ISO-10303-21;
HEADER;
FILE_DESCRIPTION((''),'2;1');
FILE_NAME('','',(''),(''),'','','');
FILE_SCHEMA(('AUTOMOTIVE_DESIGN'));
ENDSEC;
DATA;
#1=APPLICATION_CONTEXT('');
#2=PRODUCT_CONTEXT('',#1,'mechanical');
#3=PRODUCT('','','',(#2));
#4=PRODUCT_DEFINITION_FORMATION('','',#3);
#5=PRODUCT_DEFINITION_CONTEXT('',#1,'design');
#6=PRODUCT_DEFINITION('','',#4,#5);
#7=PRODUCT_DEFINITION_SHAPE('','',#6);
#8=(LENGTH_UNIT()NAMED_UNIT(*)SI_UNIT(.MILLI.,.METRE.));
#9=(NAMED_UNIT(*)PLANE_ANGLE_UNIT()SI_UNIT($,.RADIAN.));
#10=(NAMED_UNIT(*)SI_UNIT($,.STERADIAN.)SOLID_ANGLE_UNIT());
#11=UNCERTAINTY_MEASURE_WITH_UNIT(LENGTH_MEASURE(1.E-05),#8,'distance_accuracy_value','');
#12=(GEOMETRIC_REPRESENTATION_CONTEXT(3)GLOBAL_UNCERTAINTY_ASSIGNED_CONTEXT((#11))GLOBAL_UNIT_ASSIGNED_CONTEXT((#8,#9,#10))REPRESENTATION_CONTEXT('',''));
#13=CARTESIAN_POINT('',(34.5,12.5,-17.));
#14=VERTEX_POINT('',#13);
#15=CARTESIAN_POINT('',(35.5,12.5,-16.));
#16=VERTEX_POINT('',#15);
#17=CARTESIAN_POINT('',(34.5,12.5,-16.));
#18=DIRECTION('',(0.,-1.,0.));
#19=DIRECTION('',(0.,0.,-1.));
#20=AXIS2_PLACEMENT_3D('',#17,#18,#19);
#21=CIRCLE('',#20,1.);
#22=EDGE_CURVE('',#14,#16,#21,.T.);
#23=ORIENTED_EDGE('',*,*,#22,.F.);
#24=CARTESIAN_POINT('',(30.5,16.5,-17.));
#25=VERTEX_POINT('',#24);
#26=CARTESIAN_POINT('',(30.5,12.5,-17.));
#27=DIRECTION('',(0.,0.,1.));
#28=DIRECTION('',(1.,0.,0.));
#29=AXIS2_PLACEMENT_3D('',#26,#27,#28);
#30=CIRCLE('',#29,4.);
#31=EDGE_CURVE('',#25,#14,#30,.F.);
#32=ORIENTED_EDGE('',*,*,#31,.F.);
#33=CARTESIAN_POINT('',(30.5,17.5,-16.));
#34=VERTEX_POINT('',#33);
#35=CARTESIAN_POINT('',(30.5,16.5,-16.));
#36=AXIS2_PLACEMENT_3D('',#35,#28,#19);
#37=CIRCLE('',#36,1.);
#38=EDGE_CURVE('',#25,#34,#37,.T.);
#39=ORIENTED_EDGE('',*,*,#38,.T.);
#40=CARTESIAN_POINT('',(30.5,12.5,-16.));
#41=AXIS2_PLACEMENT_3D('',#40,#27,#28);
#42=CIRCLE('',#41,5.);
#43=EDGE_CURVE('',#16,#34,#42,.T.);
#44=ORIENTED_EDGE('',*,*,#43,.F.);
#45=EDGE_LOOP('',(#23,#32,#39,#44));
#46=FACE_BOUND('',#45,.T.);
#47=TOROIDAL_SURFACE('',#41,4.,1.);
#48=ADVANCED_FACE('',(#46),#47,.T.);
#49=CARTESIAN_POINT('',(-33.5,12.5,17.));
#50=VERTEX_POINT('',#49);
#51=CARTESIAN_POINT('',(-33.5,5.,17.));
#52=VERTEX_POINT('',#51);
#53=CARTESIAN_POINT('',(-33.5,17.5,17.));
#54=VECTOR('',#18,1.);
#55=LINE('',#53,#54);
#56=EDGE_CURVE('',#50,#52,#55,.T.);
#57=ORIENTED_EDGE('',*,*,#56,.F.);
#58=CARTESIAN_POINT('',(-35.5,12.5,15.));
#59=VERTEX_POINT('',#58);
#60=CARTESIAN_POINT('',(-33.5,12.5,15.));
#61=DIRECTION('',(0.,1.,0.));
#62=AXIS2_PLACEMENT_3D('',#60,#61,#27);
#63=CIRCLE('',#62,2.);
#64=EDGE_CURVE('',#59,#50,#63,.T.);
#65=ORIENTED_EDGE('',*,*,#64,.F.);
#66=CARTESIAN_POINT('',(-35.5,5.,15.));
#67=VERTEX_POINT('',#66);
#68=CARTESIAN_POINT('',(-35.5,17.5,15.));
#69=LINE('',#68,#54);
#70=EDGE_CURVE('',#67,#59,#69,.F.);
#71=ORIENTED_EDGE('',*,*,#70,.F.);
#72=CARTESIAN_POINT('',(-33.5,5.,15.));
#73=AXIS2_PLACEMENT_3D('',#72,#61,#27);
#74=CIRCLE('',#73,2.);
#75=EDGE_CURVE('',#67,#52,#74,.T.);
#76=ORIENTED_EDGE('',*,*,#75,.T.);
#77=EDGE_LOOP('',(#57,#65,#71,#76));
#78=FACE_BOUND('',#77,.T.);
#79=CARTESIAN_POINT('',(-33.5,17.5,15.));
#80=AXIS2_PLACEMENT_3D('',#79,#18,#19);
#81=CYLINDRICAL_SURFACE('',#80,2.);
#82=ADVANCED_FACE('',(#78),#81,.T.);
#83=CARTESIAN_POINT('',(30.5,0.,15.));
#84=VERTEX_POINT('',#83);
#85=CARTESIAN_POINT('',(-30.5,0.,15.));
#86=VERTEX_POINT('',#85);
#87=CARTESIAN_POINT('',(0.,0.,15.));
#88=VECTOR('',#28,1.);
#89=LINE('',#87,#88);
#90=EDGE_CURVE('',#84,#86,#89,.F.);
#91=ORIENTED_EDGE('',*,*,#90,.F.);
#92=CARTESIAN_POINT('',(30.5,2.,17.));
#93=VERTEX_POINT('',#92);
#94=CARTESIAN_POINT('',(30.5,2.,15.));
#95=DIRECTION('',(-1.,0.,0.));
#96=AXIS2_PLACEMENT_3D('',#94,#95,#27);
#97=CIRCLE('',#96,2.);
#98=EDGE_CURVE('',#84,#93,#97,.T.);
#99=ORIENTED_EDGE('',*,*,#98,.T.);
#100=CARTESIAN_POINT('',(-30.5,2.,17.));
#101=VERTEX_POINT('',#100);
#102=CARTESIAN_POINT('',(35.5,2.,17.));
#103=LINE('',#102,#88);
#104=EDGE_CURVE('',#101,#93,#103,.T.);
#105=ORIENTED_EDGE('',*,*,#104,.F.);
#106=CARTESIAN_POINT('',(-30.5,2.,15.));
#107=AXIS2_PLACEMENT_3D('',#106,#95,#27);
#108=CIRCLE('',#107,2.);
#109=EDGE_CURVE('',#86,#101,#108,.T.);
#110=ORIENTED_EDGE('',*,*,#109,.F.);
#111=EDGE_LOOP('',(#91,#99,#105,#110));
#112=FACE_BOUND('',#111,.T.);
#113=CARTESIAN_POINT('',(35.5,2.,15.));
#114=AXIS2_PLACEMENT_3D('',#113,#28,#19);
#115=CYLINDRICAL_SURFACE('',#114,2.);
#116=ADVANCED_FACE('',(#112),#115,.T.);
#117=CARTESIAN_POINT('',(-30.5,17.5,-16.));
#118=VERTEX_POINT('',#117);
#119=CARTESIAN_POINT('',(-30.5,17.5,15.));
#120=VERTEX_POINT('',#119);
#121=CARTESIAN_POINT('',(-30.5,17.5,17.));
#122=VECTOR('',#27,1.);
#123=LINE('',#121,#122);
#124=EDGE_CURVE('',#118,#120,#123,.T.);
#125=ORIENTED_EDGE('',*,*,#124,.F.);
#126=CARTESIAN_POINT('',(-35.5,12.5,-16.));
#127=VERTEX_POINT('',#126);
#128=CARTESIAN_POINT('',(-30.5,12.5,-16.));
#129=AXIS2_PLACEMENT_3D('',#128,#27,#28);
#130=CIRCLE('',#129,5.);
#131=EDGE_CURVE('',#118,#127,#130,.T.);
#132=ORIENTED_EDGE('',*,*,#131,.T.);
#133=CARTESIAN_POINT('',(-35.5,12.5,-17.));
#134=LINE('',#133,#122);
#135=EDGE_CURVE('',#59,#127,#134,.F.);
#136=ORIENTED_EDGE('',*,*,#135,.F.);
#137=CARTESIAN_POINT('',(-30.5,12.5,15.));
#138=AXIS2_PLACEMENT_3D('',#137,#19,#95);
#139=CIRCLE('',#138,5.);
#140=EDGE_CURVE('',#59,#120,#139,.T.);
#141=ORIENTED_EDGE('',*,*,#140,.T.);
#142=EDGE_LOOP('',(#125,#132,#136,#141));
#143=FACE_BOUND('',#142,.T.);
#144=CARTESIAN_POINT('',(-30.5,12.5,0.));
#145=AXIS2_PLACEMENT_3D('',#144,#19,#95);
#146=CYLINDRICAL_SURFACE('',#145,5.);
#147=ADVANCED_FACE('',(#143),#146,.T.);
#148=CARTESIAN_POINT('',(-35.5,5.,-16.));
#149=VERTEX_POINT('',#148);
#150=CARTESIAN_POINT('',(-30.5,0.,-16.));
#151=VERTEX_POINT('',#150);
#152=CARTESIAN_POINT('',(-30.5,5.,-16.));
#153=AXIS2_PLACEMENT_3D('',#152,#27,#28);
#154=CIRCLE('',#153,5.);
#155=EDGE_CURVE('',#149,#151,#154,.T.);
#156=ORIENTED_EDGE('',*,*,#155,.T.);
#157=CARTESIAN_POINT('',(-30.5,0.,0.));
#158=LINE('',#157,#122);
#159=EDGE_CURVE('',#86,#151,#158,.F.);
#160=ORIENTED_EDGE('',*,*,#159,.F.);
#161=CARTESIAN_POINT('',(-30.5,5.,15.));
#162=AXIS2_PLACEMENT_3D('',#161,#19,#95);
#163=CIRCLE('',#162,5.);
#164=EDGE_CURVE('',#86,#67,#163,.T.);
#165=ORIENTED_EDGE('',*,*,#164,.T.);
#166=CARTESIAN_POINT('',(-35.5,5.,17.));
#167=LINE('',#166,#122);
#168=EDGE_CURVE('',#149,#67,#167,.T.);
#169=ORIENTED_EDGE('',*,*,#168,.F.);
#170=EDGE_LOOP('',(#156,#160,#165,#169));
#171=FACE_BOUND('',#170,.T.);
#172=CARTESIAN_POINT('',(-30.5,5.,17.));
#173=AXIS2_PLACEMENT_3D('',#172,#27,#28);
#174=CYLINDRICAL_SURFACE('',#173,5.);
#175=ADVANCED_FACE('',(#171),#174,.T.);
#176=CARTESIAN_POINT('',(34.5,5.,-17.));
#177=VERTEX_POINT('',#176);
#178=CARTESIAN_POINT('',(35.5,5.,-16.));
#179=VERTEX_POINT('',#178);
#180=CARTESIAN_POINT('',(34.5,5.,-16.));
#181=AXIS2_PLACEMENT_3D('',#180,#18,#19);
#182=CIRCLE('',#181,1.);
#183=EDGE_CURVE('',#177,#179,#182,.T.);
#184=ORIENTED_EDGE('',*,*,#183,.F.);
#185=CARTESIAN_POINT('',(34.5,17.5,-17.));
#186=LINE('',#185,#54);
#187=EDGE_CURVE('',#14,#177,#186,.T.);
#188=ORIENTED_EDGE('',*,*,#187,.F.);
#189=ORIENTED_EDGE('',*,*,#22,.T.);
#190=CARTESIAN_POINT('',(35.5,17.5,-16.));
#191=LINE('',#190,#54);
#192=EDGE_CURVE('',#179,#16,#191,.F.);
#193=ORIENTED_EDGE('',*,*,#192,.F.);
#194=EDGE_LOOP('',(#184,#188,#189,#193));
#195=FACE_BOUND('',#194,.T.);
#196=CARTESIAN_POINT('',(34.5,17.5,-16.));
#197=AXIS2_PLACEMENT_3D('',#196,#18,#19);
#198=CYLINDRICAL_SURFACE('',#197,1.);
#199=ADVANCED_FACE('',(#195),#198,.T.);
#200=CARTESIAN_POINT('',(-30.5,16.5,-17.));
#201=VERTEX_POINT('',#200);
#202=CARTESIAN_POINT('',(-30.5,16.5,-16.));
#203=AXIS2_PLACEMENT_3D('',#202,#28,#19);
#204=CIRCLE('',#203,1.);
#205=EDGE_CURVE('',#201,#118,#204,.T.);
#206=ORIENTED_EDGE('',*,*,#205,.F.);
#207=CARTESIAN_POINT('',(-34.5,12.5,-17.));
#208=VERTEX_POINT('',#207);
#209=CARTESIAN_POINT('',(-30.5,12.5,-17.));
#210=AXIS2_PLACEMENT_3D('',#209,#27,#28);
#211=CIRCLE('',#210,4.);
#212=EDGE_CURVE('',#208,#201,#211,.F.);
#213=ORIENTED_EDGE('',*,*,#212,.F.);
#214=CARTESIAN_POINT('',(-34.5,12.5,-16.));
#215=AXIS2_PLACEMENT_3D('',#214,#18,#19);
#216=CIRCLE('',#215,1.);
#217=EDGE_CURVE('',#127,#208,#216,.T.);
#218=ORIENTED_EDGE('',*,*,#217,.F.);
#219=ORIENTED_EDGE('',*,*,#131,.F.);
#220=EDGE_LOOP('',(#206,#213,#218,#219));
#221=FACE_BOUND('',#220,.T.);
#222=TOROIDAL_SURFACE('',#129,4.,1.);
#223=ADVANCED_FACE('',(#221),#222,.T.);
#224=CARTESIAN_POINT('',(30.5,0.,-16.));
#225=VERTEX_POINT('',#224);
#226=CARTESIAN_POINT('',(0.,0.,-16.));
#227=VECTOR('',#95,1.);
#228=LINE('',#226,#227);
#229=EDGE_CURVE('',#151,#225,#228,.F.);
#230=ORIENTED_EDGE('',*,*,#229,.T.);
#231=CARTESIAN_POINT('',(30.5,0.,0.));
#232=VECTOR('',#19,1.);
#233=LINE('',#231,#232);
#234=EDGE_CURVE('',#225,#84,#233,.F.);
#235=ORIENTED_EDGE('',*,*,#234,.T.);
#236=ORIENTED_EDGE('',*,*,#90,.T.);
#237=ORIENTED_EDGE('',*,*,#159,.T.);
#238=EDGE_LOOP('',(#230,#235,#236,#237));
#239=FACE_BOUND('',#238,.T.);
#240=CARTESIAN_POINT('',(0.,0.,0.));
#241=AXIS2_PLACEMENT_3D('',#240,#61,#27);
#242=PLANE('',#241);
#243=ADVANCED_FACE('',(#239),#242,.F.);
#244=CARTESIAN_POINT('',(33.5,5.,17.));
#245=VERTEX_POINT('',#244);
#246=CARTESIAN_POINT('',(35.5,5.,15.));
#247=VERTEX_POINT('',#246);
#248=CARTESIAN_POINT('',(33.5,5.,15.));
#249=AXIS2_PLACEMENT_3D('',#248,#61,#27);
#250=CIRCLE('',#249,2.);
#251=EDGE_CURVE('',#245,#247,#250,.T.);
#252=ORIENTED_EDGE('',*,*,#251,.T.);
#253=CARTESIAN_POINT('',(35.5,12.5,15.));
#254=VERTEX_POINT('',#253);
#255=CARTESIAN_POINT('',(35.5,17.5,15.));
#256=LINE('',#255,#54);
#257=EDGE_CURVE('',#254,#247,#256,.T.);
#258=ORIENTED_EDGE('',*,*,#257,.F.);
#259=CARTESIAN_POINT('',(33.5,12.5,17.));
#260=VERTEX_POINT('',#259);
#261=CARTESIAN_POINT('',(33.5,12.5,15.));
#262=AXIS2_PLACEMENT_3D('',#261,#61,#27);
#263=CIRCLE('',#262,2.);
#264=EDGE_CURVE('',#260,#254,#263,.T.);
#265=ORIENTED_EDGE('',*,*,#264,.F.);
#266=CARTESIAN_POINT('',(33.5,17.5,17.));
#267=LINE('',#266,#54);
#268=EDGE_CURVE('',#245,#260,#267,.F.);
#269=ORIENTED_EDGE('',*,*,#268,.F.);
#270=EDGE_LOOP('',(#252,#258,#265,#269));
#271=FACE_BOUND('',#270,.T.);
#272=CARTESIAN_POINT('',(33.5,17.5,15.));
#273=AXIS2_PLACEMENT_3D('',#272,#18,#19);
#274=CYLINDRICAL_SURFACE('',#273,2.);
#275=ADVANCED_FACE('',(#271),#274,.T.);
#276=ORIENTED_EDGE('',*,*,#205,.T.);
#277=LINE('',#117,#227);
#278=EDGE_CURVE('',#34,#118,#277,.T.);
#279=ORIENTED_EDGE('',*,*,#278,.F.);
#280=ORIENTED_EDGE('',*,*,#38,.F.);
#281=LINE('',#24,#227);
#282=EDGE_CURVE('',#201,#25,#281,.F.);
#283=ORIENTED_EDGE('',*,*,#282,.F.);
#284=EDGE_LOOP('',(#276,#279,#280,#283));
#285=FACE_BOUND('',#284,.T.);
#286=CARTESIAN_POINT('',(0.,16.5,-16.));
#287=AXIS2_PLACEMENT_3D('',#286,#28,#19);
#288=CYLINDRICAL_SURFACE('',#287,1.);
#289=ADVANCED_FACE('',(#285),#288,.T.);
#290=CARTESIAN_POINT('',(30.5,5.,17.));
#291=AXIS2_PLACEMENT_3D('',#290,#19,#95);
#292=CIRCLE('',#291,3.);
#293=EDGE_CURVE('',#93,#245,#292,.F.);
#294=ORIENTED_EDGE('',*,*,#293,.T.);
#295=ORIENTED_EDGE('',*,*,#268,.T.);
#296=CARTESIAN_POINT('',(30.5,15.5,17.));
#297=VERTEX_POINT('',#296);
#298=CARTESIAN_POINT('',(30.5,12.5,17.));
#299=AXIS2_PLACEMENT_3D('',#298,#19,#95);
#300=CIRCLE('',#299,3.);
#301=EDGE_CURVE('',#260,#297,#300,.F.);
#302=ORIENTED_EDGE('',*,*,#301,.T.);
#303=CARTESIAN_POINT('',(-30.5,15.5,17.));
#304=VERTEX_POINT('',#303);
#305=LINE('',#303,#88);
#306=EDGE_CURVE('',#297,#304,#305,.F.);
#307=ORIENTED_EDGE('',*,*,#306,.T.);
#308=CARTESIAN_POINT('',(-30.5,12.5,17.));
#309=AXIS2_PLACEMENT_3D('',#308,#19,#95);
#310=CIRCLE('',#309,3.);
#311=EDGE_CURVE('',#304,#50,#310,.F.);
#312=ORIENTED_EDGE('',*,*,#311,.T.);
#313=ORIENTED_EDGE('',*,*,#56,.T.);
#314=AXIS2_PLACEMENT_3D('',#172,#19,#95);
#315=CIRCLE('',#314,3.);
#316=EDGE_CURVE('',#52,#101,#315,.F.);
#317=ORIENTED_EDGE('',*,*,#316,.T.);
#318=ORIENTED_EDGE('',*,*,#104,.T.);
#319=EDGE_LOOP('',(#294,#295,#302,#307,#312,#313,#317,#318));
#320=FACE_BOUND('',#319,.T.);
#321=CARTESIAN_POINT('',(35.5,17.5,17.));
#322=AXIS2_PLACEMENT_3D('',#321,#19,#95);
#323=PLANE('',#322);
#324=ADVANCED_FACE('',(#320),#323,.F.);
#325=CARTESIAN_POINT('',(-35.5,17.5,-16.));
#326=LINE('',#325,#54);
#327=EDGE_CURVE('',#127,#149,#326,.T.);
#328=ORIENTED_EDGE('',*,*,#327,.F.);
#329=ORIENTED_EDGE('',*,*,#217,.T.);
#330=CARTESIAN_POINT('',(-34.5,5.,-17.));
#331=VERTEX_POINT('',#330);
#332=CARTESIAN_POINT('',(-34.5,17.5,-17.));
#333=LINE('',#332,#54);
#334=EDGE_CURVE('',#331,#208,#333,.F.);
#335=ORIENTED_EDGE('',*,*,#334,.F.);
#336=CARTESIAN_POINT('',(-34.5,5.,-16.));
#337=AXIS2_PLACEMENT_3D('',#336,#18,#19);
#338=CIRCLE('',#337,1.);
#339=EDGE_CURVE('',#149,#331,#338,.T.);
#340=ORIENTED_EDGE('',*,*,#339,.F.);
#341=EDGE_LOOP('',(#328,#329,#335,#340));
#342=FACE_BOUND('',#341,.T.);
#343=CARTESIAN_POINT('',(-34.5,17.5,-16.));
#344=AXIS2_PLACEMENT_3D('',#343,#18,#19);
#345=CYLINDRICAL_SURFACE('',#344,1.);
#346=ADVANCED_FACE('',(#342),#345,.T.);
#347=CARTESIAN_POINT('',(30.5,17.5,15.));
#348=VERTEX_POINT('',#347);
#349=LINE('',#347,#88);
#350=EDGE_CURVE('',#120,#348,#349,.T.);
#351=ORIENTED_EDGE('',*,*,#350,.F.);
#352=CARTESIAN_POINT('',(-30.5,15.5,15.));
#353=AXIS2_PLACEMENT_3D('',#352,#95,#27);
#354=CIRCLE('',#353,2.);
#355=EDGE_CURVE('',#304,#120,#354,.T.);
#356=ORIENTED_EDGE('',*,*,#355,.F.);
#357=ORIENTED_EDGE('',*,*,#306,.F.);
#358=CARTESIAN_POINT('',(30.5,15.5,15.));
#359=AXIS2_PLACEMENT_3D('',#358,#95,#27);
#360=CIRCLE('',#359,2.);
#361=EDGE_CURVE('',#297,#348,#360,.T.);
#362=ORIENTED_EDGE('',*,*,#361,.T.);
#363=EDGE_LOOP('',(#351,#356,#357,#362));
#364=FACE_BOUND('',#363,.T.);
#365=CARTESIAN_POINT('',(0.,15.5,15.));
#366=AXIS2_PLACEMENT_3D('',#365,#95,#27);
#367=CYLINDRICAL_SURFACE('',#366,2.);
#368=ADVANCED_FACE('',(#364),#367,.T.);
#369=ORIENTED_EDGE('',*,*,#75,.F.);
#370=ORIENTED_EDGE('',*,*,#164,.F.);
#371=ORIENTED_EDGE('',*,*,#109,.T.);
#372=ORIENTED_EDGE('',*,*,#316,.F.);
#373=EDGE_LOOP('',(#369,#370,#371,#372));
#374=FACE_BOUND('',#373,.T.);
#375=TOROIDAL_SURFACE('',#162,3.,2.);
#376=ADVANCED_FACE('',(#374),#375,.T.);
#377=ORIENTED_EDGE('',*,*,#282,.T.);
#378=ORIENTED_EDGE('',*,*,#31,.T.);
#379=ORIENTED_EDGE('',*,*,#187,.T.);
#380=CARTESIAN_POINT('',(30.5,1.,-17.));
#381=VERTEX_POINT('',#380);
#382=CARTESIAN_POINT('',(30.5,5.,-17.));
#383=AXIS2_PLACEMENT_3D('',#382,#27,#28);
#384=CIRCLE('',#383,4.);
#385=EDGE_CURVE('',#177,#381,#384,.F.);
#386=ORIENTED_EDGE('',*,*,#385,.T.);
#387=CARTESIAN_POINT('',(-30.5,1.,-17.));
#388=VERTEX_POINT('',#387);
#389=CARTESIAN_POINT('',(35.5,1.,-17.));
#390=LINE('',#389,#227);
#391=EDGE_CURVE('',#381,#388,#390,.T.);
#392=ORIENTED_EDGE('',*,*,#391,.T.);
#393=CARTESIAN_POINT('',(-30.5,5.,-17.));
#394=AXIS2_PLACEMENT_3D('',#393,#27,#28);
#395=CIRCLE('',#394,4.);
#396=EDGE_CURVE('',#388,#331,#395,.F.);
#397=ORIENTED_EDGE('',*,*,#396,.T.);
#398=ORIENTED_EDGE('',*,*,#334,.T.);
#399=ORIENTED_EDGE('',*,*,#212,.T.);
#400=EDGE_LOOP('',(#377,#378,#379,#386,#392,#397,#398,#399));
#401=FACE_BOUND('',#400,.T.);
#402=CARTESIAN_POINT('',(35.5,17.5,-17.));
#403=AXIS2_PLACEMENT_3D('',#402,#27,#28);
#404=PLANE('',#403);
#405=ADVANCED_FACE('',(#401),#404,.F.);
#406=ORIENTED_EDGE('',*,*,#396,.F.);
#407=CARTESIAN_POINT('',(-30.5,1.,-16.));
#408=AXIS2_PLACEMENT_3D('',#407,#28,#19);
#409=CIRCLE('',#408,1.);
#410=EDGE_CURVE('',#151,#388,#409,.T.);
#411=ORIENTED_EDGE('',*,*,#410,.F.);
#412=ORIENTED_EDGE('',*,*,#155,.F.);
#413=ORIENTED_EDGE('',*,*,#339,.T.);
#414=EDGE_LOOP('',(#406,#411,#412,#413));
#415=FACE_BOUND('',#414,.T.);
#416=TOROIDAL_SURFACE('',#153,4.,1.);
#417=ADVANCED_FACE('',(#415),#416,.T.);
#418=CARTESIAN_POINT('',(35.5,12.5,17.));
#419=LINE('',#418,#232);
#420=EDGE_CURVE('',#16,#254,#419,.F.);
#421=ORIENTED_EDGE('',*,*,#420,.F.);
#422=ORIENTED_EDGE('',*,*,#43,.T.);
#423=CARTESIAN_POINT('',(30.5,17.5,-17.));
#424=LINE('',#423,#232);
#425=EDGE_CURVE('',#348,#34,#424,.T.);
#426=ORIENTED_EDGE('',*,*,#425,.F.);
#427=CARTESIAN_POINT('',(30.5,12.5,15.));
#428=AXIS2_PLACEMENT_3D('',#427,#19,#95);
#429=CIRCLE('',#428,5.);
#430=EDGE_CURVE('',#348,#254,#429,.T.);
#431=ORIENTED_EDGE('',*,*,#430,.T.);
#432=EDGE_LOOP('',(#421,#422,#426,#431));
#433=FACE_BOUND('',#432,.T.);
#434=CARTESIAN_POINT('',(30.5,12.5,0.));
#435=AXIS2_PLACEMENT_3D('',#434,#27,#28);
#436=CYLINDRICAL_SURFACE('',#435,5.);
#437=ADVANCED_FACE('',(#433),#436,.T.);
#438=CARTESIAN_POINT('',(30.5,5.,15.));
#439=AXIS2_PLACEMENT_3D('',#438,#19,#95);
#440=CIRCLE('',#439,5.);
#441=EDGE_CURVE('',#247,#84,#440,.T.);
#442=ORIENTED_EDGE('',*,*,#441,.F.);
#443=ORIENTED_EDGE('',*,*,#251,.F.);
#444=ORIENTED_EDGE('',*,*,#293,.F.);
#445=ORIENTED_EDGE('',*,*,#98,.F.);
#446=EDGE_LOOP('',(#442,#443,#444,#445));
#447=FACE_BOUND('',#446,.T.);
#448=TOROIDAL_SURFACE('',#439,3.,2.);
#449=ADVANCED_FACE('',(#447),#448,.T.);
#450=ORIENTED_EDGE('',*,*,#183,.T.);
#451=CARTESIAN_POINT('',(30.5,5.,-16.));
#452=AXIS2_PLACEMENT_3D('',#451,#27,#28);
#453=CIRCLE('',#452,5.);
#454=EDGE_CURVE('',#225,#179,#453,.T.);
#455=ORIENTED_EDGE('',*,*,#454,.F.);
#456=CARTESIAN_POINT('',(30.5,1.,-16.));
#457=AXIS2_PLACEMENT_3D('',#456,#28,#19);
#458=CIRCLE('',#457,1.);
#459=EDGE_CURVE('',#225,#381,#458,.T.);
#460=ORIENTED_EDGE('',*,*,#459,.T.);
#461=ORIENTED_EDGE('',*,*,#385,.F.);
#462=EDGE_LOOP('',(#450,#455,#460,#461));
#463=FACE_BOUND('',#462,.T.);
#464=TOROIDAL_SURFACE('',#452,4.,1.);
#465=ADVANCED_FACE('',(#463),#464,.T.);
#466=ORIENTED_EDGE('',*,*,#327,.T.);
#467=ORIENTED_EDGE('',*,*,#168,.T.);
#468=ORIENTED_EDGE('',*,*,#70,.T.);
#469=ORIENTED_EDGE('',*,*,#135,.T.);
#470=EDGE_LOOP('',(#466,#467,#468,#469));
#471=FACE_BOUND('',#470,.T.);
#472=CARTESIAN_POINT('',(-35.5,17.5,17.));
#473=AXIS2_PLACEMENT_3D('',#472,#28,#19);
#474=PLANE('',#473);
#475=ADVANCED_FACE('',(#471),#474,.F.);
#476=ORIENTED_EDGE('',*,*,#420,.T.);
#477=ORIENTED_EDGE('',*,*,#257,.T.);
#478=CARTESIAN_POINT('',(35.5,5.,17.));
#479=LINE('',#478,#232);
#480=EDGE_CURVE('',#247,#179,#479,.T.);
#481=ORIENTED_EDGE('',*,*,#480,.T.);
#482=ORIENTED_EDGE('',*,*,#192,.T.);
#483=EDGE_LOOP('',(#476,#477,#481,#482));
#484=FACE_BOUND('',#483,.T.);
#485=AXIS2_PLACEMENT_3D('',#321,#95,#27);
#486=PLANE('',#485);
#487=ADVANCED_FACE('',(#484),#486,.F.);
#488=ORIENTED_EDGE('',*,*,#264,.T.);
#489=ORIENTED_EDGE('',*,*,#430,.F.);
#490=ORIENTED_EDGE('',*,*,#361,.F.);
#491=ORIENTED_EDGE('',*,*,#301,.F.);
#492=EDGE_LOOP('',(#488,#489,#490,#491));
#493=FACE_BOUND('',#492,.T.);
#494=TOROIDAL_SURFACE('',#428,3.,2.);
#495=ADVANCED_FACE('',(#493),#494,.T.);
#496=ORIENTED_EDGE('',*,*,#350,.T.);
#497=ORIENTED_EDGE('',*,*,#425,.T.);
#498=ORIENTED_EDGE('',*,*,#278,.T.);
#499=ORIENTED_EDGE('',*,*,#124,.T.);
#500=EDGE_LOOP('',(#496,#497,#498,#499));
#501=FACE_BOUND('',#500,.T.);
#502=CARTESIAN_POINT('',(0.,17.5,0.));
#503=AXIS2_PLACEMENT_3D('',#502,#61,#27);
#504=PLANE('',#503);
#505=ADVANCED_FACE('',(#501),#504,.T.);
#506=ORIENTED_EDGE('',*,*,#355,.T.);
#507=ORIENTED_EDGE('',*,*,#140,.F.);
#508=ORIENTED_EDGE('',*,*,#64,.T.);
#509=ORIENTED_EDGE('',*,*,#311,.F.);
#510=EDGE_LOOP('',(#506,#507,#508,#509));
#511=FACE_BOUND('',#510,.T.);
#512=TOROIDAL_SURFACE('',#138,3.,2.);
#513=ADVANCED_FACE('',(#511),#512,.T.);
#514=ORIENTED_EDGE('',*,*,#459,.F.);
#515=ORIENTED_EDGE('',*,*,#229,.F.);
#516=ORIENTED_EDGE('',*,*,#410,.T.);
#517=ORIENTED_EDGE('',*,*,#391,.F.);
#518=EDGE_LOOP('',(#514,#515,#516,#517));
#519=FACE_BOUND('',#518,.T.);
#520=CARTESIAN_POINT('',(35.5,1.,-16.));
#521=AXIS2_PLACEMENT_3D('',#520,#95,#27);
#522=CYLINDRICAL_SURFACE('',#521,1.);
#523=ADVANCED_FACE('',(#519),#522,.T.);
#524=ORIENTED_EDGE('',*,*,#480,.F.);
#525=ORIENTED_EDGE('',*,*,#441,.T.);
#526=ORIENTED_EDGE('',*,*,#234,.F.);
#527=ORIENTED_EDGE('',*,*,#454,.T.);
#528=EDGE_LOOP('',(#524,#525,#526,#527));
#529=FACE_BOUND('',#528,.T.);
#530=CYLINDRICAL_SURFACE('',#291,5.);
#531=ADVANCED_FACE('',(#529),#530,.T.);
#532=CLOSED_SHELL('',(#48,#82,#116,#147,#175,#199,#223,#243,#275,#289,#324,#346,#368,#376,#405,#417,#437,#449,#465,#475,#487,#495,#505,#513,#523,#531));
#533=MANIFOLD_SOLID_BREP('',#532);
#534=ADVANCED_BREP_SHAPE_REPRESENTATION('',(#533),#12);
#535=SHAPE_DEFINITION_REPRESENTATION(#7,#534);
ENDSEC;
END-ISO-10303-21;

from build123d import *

# Parameters (mm, degrees)
SKETCH1_W           = 71
SKETCH1_H           = 34
BOSS_EXTRUDE1_DEPTH = 17.5
FILLET1_R           = 5
FILLET2_R           = 2
FILLET3_R           = 1


with BuildPart() as part:
    # Sketch1 → Boss-Extrude1 (new body)
    with BuildSketch(Plane(origin=(0, 0, 0), x_dir=(1, 0, 0), z_dir=(0, 1, 0))):
        Rectangle(SKETCH1_W, SKETCH1_H)
    extrude(amount=BOSS_EXTRUDE1_DEPTH)

    # Fillet1
    fillet1_edges = [part.edges().sort_by_distance(p)[0] for p in [
        (35.5, 17.5, 0),
        (-35.5, 17.5, 0),
        (35.5, 0, 0),
        (-35.5, 0, 0),
    ]]
    fillet(fillet1_edges, radius=FILLET1_R)

    # Fillet2
    fillet2_edges = [part.edges().sort_by_distance(p)[0] for p in [
        (-35.5, 8.75, 17),
        (0, 0, 17),
        (35.5, 8.75, 17),
        (0, 17.5, 17),
        (-34.035533906, 16.035533906, 17),
        (34.035533906, 16.035533906, 17),
        (34.035533906, 1.464466094, 17),
        (-34.035533906, 1.464466094, 17),
    ]]
    fillet(fillet2_edges, radius=FILLET2_R)

    # Fillet3
    fillet3_edges = [part.edges().sort_by_distance(p)[0] for p in [
        (-35.5, 8.75, -17),
        (0, 0, -17),
        (0, 17.5, -17),
        (35.5, 8.75, -17),
        (-34.035533906, 16.035533906, -17),
        (34.035533906, 16.035533906, -17),
        (34.035533906, 1.464466094, -17),
        (-34.035533906, 1.464466094, -17),
    ]]
    fillet(fillet3_edges, radius=FILLET3_R)


solid = part.part
